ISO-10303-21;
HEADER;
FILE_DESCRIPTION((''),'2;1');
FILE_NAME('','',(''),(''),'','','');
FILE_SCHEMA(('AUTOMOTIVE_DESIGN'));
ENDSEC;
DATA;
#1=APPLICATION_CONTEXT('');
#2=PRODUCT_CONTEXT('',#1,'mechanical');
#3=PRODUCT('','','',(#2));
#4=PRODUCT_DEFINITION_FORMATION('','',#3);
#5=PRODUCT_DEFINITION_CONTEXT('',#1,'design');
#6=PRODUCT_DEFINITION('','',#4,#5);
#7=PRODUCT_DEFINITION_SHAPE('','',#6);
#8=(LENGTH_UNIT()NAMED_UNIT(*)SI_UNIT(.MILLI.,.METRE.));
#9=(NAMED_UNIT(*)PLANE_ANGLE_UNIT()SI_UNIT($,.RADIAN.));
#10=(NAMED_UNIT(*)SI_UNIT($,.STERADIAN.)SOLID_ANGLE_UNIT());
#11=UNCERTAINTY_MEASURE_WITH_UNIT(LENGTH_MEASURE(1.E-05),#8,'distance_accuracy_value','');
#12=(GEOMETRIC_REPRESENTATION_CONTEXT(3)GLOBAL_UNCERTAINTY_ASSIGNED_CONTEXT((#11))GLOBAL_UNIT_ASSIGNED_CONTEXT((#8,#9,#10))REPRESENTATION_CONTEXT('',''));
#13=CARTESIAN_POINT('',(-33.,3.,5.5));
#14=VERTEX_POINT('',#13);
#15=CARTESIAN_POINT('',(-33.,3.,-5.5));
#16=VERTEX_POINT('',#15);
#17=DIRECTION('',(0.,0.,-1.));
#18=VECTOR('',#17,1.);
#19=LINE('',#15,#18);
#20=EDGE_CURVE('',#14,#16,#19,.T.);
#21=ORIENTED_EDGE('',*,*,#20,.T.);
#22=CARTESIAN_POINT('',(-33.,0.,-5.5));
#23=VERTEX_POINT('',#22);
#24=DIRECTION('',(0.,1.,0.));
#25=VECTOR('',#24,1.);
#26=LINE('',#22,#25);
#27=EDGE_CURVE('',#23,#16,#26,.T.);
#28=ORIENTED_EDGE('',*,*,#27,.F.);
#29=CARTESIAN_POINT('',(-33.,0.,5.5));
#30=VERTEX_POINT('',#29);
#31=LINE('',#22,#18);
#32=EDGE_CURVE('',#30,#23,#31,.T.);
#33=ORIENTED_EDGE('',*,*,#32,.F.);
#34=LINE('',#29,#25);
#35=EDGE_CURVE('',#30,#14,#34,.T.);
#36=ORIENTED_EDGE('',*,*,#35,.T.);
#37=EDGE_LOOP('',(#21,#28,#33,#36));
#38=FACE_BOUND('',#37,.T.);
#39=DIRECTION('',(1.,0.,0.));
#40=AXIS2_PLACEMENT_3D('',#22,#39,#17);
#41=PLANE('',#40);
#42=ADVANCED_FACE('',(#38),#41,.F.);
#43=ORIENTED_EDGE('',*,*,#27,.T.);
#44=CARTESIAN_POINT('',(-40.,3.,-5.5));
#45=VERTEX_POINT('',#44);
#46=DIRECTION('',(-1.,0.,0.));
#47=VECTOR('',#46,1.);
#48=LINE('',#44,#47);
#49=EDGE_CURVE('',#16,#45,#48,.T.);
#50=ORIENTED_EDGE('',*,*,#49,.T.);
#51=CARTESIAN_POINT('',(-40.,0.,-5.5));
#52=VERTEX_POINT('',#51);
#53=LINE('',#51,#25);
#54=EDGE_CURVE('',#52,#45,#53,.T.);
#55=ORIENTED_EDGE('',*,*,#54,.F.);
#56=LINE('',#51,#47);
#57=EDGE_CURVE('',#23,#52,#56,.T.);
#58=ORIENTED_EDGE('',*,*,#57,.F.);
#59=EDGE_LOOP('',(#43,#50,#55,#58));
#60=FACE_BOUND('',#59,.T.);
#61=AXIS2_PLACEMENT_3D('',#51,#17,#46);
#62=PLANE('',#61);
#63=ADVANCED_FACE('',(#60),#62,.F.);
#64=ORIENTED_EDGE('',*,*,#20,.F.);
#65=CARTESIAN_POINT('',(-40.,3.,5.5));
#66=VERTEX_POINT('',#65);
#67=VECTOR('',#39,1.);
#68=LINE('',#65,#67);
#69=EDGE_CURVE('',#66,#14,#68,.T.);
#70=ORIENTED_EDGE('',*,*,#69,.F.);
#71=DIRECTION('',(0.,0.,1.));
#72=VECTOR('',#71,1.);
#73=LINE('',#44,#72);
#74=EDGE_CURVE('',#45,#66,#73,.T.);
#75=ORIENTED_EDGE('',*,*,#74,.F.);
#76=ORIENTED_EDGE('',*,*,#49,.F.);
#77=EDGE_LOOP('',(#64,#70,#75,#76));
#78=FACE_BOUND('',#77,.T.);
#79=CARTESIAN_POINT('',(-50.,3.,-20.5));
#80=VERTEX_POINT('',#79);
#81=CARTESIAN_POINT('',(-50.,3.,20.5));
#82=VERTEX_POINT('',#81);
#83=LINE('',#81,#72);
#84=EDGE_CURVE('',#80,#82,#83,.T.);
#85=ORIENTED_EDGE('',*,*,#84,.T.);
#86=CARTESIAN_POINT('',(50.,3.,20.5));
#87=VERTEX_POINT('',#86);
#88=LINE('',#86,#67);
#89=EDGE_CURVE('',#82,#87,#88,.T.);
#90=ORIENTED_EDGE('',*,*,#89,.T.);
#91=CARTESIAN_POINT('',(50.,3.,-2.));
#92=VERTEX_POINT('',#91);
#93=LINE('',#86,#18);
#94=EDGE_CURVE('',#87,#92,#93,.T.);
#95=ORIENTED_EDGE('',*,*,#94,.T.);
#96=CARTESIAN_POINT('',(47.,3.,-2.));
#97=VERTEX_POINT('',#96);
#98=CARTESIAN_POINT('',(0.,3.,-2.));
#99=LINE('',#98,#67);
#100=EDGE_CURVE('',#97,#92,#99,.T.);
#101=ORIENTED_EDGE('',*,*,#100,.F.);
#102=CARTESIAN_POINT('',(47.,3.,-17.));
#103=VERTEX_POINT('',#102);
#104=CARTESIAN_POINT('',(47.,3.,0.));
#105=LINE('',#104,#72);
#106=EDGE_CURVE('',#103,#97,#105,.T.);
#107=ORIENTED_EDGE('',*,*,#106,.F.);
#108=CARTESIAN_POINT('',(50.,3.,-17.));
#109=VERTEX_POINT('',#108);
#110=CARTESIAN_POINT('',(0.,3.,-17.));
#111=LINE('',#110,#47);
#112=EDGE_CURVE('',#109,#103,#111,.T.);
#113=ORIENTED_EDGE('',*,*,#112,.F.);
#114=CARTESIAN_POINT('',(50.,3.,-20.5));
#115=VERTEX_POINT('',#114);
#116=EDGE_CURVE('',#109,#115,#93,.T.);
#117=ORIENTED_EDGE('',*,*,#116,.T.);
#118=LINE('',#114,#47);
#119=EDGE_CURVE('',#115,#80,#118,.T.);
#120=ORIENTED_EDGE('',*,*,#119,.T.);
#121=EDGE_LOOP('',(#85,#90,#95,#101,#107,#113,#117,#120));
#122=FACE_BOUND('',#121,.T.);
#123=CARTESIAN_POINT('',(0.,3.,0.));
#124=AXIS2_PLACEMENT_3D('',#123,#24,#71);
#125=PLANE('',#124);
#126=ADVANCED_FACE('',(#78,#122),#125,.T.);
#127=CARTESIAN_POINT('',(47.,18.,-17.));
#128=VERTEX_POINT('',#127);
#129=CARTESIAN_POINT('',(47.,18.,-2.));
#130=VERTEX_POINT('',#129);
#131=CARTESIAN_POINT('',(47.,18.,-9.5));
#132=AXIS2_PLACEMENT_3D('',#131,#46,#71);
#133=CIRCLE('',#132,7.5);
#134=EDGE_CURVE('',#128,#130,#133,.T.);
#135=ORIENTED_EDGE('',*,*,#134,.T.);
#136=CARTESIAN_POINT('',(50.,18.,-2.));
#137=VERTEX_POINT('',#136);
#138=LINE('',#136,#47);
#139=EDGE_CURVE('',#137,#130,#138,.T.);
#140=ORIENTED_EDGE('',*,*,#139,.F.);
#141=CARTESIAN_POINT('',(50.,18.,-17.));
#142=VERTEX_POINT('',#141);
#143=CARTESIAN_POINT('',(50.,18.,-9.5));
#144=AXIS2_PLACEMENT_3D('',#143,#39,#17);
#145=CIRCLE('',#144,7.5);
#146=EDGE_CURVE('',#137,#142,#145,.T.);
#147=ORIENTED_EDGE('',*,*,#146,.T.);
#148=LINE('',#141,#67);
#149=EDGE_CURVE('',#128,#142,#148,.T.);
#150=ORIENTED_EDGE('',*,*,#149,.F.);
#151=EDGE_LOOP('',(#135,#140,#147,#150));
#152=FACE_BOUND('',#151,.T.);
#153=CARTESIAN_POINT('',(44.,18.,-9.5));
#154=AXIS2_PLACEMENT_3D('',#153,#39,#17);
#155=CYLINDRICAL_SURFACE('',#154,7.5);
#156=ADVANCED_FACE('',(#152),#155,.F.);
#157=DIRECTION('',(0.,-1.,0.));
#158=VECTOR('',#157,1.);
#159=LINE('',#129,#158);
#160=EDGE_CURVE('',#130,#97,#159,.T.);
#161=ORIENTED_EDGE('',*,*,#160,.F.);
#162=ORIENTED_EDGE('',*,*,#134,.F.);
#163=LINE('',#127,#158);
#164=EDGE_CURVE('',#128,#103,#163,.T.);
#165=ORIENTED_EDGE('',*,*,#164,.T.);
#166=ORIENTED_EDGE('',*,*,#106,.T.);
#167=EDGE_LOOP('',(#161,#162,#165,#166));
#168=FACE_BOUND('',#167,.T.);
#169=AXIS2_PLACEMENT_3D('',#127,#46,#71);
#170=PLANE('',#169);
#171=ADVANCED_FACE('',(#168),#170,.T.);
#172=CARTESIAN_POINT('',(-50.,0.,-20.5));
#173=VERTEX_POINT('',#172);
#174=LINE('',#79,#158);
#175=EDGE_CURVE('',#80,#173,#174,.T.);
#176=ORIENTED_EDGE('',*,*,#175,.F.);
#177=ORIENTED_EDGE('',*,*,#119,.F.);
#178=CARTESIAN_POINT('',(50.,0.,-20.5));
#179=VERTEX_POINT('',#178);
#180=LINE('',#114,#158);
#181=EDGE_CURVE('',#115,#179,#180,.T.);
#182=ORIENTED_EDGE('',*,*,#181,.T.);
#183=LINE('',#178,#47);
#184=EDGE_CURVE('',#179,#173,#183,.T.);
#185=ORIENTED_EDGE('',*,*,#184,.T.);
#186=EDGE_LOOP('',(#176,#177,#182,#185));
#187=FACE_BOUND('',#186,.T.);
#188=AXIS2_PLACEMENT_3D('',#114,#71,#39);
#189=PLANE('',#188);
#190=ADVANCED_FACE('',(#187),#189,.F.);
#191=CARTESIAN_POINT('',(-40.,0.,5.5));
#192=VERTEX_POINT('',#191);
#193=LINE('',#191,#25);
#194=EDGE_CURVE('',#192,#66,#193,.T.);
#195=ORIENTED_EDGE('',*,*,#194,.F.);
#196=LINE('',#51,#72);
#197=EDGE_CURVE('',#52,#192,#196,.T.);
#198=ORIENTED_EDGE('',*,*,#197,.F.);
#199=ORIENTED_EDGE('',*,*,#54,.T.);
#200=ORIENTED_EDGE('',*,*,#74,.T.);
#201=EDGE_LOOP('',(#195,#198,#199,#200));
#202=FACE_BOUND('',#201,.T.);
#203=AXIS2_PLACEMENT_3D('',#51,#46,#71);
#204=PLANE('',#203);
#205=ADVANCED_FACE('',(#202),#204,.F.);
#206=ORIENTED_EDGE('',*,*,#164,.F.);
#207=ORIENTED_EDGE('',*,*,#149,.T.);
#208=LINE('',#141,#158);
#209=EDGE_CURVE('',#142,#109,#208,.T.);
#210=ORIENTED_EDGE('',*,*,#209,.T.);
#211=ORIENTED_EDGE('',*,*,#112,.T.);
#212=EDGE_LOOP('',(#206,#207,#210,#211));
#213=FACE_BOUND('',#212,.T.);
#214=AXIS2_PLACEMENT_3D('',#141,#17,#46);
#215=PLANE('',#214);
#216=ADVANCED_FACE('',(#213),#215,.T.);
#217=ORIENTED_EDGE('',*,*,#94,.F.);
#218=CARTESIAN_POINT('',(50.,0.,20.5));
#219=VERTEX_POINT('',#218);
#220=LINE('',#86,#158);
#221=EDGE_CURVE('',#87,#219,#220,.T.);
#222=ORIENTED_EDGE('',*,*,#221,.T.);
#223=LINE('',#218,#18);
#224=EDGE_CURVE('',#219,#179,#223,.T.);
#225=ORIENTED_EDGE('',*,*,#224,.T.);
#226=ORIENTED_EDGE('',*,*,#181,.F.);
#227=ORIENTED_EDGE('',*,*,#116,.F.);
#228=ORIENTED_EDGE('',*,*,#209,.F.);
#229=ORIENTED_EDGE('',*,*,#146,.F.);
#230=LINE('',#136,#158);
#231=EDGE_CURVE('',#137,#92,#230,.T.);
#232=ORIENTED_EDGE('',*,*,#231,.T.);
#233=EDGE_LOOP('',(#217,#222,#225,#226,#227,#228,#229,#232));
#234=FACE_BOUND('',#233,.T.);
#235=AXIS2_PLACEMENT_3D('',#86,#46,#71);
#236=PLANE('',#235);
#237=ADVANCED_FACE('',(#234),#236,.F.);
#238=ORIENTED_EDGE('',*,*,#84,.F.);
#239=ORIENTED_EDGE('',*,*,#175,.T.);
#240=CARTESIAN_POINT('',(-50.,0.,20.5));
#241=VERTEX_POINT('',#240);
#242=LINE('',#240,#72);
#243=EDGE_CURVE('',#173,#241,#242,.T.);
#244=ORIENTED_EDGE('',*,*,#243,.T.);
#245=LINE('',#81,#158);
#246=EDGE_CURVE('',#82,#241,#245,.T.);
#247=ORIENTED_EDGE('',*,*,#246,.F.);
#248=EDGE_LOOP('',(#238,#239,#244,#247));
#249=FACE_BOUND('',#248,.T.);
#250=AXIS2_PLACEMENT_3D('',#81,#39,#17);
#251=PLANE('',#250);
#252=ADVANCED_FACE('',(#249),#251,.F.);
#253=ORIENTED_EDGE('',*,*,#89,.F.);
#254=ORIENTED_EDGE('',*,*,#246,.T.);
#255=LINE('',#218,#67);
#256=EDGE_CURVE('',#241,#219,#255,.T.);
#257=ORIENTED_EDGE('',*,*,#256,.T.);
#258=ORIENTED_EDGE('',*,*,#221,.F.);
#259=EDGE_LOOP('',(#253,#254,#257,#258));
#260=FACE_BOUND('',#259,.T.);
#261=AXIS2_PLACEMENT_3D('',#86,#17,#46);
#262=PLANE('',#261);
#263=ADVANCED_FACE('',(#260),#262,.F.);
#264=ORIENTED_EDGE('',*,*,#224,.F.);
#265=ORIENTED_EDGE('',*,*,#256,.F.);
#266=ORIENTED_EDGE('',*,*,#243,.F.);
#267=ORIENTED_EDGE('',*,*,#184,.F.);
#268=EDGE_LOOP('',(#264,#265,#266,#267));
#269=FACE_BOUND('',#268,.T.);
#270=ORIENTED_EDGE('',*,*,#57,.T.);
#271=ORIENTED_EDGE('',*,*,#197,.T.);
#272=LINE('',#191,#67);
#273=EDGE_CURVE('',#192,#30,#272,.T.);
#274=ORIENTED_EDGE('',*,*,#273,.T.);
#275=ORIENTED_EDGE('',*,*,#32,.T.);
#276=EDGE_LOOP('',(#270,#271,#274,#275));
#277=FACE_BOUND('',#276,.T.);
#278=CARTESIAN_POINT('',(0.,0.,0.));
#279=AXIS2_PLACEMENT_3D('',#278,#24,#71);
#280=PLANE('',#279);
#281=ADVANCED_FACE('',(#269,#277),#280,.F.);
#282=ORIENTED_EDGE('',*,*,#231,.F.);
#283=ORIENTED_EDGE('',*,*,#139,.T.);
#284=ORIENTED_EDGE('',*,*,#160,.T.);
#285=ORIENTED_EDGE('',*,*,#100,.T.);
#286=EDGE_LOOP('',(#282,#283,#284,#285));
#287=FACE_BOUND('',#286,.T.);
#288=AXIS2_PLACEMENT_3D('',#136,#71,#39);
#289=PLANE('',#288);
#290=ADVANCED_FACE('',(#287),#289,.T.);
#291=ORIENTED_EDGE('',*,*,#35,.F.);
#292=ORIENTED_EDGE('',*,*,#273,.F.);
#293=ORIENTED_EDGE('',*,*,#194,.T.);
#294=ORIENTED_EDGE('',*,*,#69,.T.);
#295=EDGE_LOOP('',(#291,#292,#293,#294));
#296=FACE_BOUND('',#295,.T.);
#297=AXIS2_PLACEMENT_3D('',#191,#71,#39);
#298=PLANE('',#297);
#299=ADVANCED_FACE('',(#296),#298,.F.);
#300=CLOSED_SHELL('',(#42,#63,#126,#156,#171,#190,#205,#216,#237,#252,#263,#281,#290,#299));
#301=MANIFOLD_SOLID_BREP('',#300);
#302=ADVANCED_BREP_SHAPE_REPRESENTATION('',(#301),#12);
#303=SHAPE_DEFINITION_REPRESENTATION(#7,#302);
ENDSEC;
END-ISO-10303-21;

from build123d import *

# Parameters (mm, degrees)
ESQUISSE1_W             = 100
ESQUISSE1_H             = 41
BOSS_EXTRU_1_DEPTH      = 3
ESQUISSE2_W             = 7
ESQUISSE2_H             = 11
ENL_V_MAT_EXTRU_2_DEPTH = 3
ESQUISSE3_W             = 3
ESQUISSE3_H             = 15
BOSS_EXTRU_2_DEPTH      = 18
ESQUISSE4_R             = 7.5
ENL_V_MAT_EXTRU_3_DEPTH = 6


with BuildPart() as part:
    # Esquisse1 → Boss.-Extru.1 (new body)
    with BuildSketch(Plane(origin=(0, 0, 0), x_dir=(1, 0, 0), z_dir=(0, 1, 0))):
        Rectangle(ESQUISSE1_W, ESQUISSE1_H)
    extrude(amount=BOSS_EXTRU_1_DEPTH)

    # Esquisse2 → Enlèv. mat.-Extru.2 (cut)
    with BuildSketch(Plane(origin=(0, 3, 0), x_dir=(1, 0, 0), z_dir=(0, 1, 0))):
        with Locations((-36.5, 0)):
            Rectangle(ESQUISSE2_W, ESQUISSE2_H)
    extrude(amount=-ENL_V_MAT_EXTRU_2_DEPTH, mode=Mode.SUBTRACT)

    # Esquisse3 → Boss.-Extru.2 (add)
    with BuildSketch(Plane.XZ):
        with Locations((48.5, -9.5)):
            Rectangle(ESQUISSE3_W, ESQUISSE3_H)
    extrude(amount=-BOSS_EXTRU_2_DEPTH)

    # Esquisse4 → Enlèv. mat.-Extru.3 (cut)
    with BuildSketch(Plane(origin=(50, 0, 0), x_dir=(0, 0, -1), z_dir=(1, 0, 0))):
        with Locations((9.5, 18)):
            Circle(ESQUISSE4_R)
    extrude(amount=-ENL_V_MAT_EXTRU_3_DEPTH, mode=Mode.SUBTRACT)


solid = part.part
